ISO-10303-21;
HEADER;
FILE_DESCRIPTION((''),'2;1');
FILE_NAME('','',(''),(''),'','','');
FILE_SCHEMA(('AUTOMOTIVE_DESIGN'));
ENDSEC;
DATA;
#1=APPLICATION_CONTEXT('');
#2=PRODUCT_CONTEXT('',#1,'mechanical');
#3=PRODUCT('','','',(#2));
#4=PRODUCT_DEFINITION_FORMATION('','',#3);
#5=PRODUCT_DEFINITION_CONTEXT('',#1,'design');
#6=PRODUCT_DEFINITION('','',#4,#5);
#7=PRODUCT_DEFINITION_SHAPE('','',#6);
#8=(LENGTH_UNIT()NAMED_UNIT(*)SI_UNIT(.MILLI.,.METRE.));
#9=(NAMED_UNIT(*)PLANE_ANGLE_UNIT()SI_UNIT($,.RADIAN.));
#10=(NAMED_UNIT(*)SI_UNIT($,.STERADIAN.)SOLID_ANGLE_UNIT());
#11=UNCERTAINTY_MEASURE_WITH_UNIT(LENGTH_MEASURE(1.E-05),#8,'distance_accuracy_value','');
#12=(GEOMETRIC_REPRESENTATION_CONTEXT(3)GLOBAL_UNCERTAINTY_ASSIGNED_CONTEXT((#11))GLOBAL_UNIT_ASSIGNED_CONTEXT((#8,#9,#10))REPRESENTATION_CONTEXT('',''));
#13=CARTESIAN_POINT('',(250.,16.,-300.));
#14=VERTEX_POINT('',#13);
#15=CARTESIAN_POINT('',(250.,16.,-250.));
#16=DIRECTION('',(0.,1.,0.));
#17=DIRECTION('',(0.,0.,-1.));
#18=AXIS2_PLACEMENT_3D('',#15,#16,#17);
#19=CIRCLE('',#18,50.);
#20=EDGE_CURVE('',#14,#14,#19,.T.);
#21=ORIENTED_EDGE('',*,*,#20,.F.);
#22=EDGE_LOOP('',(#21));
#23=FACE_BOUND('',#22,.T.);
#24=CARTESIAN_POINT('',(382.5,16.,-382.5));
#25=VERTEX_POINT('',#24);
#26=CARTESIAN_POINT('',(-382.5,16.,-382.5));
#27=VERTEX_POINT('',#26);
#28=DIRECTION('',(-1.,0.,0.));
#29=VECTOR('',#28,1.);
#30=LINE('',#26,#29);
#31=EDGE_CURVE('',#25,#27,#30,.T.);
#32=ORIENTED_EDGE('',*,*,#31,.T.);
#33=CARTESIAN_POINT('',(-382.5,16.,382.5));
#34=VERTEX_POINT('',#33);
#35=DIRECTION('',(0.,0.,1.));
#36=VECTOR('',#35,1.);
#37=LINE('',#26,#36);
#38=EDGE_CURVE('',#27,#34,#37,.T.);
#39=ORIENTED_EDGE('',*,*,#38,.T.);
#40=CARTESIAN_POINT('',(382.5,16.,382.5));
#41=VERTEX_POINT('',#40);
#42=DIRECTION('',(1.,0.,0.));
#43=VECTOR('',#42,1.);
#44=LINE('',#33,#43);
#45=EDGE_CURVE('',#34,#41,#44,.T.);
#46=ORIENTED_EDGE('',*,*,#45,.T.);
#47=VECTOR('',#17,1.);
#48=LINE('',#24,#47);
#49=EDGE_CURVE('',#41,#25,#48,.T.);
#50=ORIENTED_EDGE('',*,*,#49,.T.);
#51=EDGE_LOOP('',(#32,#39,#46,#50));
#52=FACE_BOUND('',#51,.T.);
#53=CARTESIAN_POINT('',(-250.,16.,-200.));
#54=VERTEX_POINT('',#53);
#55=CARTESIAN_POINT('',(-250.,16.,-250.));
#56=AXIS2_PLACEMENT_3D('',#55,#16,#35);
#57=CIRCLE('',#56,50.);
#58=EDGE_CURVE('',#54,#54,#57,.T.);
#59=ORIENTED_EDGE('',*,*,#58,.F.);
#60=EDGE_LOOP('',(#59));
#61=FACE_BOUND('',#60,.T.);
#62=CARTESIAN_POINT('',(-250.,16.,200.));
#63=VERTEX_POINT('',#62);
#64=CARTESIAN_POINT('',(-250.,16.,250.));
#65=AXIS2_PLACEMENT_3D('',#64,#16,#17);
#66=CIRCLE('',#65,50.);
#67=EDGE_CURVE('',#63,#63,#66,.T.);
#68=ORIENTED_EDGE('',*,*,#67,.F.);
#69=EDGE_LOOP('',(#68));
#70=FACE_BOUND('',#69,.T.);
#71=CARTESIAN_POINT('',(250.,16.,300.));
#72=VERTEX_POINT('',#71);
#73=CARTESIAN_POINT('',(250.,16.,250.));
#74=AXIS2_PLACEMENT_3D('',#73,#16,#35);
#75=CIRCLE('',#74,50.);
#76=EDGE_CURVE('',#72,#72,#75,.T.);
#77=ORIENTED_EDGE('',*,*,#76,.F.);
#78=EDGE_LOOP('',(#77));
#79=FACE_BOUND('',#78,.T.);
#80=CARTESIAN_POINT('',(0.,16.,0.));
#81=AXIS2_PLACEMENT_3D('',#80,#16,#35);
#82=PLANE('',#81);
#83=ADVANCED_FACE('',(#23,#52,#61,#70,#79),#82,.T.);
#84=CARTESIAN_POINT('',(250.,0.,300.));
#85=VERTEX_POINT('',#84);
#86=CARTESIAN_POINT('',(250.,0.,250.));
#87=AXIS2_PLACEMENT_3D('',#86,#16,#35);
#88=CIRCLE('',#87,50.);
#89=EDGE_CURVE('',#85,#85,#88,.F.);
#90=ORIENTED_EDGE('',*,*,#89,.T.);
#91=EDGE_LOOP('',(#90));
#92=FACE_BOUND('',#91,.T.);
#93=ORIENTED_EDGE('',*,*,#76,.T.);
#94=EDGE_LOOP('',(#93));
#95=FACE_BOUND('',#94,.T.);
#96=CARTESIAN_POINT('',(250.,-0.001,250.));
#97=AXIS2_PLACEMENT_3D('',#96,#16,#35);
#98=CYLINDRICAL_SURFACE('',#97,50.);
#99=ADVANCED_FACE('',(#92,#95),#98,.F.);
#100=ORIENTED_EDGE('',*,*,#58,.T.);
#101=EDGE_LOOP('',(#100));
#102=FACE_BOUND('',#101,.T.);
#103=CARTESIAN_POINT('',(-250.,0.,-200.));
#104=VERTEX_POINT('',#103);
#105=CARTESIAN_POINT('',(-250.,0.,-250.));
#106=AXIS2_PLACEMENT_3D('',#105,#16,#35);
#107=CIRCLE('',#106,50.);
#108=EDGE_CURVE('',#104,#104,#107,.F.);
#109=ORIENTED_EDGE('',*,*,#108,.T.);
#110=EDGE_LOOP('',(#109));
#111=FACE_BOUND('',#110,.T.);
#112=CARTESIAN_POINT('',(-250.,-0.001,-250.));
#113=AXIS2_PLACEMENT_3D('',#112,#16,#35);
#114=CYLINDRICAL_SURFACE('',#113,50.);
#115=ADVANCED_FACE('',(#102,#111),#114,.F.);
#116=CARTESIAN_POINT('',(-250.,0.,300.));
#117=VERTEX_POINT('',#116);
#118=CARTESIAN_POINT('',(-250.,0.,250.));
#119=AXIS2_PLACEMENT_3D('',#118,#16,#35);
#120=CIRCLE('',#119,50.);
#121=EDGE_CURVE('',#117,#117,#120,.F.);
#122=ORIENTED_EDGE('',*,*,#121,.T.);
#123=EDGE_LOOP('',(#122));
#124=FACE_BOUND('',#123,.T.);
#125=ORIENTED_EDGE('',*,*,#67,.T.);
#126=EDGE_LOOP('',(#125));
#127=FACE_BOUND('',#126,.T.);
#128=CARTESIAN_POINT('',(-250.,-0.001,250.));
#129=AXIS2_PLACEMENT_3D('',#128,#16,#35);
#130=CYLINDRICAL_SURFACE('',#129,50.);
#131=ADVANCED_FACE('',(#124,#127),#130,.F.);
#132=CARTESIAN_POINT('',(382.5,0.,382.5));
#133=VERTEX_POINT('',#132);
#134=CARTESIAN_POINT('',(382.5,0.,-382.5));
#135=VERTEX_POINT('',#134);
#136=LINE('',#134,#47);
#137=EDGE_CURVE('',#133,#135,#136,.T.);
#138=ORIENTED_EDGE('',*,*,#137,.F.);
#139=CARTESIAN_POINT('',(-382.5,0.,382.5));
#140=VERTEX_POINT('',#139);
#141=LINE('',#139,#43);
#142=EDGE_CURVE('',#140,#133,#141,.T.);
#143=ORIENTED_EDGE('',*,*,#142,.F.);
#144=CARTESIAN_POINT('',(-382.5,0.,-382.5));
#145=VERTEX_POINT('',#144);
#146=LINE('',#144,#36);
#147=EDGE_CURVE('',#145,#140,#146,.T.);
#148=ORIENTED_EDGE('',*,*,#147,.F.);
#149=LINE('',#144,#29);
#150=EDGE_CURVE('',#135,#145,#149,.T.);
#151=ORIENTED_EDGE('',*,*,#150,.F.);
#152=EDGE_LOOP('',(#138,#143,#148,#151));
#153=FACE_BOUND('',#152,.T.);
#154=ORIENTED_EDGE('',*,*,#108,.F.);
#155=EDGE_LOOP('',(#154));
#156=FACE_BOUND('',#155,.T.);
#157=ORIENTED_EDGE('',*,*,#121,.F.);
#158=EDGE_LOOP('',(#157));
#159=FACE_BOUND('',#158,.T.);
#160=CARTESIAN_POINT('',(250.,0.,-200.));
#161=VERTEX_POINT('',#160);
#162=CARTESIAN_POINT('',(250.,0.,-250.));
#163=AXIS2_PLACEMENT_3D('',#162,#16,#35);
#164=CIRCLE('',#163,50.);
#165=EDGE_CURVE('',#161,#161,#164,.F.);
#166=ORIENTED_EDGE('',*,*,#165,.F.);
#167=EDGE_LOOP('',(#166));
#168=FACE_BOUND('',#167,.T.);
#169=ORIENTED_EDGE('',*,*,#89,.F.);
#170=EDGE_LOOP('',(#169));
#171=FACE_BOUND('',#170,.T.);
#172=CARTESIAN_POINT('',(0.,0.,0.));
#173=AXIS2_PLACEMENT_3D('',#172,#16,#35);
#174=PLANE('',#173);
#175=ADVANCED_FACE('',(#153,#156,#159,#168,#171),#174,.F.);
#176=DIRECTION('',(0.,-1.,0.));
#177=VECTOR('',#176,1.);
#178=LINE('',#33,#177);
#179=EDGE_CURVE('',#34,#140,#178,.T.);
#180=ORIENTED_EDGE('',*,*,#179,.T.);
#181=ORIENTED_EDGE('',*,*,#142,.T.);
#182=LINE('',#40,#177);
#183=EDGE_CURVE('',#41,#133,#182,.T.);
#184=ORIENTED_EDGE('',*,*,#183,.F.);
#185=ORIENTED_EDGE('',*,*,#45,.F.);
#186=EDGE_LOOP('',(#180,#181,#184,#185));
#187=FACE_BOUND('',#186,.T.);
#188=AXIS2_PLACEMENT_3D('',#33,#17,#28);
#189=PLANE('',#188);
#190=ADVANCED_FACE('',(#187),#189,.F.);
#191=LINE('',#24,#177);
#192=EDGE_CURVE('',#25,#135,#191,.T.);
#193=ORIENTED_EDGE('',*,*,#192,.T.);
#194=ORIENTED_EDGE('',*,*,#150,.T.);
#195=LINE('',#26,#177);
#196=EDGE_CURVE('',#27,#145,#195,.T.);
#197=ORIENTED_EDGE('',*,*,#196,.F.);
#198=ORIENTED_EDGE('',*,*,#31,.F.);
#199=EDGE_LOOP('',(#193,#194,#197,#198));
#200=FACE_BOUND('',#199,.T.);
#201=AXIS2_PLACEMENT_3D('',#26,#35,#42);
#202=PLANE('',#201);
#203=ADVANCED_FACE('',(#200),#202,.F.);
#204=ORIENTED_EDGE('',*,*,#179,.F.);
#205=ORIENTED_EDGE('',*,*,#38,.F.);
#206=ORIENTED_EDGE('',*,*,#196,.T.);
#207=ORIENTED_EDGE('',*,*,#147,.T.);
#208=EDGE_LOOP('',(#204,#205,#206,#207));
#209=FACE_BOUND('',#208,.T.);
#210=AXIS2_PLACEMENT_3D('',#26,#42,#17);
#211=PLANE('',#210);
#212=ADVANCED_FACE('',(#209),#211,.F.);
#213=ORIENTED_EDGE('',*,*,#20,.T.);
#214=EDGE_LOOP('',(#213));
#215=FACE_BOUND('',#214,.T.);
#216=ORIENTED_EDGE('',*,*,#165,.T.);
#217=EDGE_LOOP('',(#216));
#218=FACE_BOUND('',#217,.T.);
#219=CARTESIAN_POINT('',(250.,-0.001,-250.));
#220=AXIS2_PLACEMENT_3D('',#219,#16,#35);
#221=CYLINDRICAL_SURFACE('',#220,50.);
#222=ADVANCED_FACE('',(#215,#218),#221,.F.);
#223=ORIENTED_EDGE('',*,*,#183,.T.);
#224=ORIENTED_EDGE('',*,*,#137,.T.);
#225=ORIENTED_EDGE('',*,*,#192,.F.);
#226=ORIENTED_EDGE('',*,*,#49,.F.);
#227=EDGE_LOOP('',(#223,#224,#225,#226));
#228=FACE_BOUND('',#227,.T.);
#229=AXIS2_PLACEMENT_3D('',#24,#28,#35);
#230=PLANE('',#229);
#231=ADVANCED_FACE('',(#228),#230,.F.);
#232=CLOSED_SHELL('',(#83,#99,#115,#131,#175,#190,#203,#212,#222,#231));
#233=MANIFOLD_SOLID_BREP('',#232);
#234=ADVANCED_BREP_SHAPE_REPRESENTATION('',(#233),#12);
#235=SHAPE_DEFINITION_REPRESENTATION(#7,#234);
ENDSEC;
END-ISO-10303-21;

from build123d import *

# Parameters (mm, degrees)
SKETCH1_W           = 765
SKETCH1_H           = 765
BOSS_EXTRUDE1_DEPTH = 16
CUT_EXTRUDE2_REACH  = 18
SKETCH5_R           = 50


with BuildPart() as part:
    # Sketch1 → Boss-Extrude1 (new body)
    with BuildSketch(Plane(origin=(0, 0, 0), x_dir=(1, 0, 0), z_dir=(0, 1, 0))):
        Rectangle(SKETCH1_W, SKETCH1_H)
    extrude(amount=BOSS_EXTRUDE1_DEPTH)

    # Sketch5 → Cut-Extrude2 (cut, up to next)
    with BuildSketch(Plane(origin=(0, 16, 0), x_dir=(1, 0, 0), z_dir=(0, 1, 0)), mode=Mode.PRIVATE) as cut_extrude2_sk1:
        with Locations((-250, 250)):
            Circle(SKETCH5_R)
    cut_extrude2_tool1 = extrude(cut_extrude2_sk1.sketch, amount=-CUT_EXTRUDE2_REACH, mode=Mode.PRIVATE) & part.part
    add(cut_extrude2_tool1.solids().sort_by_distance((-250, 16, -250))[0], mode=Mode.SUBTRACT)
    # Sketch5 → Cut-Extrude2 (cut, up to next)
    with BuildSketch(Plane(origin=(0, 16, 0), x_dir=(1, 0, 0), z_dir=(0, 1, 0)), mode=Mode.PRIVATE) as cut_extrude2_sk2:
        with Locations((250, 250)):
            Circle(SKETCH5_R)
    cut_extrude2_tool2 = extrude(cut_extrude2_sk2.sketch, amount=-CUT_EXTRUDE2_REACH, mode=Mode.PRIVATE) & part.part
    add(cut_extrude2_tool2.solids().sort_by_distance((250, 16, -250))[0], mode=Mode.SUBTRACT)
    # Sketch5 → Cut-Extrude2 (cut, up to next)
    with BuildSketch(Plane(origin=(0, 16, 0), x_dir=(1, 0, 0), z_dir=(0, 1, 0)), mode=Mode.PRIVATE) as cut_extrude2_sk3:
        with Locations((250, -250)):
            Circle(SKETCH5_R)
    cut_extrude2_tool3 = extrude(cut_extrude2_sk3.sketch, amount=-CUT_EXTRUDE2_REACH, mode=Mode.PRIVATE) & part.part
    add(cut_extrude2_tool3.solids().sort_by_distance((250, 16, 250))[0], mode=Mode.SUBTRACT)
    # Sketch5 → Cut-Extrude2 (cut, up to next)
    with BuildSketch(Plane(origin=(0, 16, 0), x_dir=(1, 0, 0), z_dir=(0, 1, 0)), mode=Mode.PRIVATE) as cut_extrude2_sk4:
        with Locations((-250, -250)):
            Circle(SKETCH5_R)
    cut_extrude2_tool4 = extrude(cut_extrude2_sk4.sketch, amount=-CUT_EXTRUDE2_REACH, mode=Mode.PRIVATE) & part.part
    add(cut_extrude2_tool4.solids().sort_by_distance((-250, 16, 250))[0], mode=Mode.SUBTRACT)


solid = part.part
